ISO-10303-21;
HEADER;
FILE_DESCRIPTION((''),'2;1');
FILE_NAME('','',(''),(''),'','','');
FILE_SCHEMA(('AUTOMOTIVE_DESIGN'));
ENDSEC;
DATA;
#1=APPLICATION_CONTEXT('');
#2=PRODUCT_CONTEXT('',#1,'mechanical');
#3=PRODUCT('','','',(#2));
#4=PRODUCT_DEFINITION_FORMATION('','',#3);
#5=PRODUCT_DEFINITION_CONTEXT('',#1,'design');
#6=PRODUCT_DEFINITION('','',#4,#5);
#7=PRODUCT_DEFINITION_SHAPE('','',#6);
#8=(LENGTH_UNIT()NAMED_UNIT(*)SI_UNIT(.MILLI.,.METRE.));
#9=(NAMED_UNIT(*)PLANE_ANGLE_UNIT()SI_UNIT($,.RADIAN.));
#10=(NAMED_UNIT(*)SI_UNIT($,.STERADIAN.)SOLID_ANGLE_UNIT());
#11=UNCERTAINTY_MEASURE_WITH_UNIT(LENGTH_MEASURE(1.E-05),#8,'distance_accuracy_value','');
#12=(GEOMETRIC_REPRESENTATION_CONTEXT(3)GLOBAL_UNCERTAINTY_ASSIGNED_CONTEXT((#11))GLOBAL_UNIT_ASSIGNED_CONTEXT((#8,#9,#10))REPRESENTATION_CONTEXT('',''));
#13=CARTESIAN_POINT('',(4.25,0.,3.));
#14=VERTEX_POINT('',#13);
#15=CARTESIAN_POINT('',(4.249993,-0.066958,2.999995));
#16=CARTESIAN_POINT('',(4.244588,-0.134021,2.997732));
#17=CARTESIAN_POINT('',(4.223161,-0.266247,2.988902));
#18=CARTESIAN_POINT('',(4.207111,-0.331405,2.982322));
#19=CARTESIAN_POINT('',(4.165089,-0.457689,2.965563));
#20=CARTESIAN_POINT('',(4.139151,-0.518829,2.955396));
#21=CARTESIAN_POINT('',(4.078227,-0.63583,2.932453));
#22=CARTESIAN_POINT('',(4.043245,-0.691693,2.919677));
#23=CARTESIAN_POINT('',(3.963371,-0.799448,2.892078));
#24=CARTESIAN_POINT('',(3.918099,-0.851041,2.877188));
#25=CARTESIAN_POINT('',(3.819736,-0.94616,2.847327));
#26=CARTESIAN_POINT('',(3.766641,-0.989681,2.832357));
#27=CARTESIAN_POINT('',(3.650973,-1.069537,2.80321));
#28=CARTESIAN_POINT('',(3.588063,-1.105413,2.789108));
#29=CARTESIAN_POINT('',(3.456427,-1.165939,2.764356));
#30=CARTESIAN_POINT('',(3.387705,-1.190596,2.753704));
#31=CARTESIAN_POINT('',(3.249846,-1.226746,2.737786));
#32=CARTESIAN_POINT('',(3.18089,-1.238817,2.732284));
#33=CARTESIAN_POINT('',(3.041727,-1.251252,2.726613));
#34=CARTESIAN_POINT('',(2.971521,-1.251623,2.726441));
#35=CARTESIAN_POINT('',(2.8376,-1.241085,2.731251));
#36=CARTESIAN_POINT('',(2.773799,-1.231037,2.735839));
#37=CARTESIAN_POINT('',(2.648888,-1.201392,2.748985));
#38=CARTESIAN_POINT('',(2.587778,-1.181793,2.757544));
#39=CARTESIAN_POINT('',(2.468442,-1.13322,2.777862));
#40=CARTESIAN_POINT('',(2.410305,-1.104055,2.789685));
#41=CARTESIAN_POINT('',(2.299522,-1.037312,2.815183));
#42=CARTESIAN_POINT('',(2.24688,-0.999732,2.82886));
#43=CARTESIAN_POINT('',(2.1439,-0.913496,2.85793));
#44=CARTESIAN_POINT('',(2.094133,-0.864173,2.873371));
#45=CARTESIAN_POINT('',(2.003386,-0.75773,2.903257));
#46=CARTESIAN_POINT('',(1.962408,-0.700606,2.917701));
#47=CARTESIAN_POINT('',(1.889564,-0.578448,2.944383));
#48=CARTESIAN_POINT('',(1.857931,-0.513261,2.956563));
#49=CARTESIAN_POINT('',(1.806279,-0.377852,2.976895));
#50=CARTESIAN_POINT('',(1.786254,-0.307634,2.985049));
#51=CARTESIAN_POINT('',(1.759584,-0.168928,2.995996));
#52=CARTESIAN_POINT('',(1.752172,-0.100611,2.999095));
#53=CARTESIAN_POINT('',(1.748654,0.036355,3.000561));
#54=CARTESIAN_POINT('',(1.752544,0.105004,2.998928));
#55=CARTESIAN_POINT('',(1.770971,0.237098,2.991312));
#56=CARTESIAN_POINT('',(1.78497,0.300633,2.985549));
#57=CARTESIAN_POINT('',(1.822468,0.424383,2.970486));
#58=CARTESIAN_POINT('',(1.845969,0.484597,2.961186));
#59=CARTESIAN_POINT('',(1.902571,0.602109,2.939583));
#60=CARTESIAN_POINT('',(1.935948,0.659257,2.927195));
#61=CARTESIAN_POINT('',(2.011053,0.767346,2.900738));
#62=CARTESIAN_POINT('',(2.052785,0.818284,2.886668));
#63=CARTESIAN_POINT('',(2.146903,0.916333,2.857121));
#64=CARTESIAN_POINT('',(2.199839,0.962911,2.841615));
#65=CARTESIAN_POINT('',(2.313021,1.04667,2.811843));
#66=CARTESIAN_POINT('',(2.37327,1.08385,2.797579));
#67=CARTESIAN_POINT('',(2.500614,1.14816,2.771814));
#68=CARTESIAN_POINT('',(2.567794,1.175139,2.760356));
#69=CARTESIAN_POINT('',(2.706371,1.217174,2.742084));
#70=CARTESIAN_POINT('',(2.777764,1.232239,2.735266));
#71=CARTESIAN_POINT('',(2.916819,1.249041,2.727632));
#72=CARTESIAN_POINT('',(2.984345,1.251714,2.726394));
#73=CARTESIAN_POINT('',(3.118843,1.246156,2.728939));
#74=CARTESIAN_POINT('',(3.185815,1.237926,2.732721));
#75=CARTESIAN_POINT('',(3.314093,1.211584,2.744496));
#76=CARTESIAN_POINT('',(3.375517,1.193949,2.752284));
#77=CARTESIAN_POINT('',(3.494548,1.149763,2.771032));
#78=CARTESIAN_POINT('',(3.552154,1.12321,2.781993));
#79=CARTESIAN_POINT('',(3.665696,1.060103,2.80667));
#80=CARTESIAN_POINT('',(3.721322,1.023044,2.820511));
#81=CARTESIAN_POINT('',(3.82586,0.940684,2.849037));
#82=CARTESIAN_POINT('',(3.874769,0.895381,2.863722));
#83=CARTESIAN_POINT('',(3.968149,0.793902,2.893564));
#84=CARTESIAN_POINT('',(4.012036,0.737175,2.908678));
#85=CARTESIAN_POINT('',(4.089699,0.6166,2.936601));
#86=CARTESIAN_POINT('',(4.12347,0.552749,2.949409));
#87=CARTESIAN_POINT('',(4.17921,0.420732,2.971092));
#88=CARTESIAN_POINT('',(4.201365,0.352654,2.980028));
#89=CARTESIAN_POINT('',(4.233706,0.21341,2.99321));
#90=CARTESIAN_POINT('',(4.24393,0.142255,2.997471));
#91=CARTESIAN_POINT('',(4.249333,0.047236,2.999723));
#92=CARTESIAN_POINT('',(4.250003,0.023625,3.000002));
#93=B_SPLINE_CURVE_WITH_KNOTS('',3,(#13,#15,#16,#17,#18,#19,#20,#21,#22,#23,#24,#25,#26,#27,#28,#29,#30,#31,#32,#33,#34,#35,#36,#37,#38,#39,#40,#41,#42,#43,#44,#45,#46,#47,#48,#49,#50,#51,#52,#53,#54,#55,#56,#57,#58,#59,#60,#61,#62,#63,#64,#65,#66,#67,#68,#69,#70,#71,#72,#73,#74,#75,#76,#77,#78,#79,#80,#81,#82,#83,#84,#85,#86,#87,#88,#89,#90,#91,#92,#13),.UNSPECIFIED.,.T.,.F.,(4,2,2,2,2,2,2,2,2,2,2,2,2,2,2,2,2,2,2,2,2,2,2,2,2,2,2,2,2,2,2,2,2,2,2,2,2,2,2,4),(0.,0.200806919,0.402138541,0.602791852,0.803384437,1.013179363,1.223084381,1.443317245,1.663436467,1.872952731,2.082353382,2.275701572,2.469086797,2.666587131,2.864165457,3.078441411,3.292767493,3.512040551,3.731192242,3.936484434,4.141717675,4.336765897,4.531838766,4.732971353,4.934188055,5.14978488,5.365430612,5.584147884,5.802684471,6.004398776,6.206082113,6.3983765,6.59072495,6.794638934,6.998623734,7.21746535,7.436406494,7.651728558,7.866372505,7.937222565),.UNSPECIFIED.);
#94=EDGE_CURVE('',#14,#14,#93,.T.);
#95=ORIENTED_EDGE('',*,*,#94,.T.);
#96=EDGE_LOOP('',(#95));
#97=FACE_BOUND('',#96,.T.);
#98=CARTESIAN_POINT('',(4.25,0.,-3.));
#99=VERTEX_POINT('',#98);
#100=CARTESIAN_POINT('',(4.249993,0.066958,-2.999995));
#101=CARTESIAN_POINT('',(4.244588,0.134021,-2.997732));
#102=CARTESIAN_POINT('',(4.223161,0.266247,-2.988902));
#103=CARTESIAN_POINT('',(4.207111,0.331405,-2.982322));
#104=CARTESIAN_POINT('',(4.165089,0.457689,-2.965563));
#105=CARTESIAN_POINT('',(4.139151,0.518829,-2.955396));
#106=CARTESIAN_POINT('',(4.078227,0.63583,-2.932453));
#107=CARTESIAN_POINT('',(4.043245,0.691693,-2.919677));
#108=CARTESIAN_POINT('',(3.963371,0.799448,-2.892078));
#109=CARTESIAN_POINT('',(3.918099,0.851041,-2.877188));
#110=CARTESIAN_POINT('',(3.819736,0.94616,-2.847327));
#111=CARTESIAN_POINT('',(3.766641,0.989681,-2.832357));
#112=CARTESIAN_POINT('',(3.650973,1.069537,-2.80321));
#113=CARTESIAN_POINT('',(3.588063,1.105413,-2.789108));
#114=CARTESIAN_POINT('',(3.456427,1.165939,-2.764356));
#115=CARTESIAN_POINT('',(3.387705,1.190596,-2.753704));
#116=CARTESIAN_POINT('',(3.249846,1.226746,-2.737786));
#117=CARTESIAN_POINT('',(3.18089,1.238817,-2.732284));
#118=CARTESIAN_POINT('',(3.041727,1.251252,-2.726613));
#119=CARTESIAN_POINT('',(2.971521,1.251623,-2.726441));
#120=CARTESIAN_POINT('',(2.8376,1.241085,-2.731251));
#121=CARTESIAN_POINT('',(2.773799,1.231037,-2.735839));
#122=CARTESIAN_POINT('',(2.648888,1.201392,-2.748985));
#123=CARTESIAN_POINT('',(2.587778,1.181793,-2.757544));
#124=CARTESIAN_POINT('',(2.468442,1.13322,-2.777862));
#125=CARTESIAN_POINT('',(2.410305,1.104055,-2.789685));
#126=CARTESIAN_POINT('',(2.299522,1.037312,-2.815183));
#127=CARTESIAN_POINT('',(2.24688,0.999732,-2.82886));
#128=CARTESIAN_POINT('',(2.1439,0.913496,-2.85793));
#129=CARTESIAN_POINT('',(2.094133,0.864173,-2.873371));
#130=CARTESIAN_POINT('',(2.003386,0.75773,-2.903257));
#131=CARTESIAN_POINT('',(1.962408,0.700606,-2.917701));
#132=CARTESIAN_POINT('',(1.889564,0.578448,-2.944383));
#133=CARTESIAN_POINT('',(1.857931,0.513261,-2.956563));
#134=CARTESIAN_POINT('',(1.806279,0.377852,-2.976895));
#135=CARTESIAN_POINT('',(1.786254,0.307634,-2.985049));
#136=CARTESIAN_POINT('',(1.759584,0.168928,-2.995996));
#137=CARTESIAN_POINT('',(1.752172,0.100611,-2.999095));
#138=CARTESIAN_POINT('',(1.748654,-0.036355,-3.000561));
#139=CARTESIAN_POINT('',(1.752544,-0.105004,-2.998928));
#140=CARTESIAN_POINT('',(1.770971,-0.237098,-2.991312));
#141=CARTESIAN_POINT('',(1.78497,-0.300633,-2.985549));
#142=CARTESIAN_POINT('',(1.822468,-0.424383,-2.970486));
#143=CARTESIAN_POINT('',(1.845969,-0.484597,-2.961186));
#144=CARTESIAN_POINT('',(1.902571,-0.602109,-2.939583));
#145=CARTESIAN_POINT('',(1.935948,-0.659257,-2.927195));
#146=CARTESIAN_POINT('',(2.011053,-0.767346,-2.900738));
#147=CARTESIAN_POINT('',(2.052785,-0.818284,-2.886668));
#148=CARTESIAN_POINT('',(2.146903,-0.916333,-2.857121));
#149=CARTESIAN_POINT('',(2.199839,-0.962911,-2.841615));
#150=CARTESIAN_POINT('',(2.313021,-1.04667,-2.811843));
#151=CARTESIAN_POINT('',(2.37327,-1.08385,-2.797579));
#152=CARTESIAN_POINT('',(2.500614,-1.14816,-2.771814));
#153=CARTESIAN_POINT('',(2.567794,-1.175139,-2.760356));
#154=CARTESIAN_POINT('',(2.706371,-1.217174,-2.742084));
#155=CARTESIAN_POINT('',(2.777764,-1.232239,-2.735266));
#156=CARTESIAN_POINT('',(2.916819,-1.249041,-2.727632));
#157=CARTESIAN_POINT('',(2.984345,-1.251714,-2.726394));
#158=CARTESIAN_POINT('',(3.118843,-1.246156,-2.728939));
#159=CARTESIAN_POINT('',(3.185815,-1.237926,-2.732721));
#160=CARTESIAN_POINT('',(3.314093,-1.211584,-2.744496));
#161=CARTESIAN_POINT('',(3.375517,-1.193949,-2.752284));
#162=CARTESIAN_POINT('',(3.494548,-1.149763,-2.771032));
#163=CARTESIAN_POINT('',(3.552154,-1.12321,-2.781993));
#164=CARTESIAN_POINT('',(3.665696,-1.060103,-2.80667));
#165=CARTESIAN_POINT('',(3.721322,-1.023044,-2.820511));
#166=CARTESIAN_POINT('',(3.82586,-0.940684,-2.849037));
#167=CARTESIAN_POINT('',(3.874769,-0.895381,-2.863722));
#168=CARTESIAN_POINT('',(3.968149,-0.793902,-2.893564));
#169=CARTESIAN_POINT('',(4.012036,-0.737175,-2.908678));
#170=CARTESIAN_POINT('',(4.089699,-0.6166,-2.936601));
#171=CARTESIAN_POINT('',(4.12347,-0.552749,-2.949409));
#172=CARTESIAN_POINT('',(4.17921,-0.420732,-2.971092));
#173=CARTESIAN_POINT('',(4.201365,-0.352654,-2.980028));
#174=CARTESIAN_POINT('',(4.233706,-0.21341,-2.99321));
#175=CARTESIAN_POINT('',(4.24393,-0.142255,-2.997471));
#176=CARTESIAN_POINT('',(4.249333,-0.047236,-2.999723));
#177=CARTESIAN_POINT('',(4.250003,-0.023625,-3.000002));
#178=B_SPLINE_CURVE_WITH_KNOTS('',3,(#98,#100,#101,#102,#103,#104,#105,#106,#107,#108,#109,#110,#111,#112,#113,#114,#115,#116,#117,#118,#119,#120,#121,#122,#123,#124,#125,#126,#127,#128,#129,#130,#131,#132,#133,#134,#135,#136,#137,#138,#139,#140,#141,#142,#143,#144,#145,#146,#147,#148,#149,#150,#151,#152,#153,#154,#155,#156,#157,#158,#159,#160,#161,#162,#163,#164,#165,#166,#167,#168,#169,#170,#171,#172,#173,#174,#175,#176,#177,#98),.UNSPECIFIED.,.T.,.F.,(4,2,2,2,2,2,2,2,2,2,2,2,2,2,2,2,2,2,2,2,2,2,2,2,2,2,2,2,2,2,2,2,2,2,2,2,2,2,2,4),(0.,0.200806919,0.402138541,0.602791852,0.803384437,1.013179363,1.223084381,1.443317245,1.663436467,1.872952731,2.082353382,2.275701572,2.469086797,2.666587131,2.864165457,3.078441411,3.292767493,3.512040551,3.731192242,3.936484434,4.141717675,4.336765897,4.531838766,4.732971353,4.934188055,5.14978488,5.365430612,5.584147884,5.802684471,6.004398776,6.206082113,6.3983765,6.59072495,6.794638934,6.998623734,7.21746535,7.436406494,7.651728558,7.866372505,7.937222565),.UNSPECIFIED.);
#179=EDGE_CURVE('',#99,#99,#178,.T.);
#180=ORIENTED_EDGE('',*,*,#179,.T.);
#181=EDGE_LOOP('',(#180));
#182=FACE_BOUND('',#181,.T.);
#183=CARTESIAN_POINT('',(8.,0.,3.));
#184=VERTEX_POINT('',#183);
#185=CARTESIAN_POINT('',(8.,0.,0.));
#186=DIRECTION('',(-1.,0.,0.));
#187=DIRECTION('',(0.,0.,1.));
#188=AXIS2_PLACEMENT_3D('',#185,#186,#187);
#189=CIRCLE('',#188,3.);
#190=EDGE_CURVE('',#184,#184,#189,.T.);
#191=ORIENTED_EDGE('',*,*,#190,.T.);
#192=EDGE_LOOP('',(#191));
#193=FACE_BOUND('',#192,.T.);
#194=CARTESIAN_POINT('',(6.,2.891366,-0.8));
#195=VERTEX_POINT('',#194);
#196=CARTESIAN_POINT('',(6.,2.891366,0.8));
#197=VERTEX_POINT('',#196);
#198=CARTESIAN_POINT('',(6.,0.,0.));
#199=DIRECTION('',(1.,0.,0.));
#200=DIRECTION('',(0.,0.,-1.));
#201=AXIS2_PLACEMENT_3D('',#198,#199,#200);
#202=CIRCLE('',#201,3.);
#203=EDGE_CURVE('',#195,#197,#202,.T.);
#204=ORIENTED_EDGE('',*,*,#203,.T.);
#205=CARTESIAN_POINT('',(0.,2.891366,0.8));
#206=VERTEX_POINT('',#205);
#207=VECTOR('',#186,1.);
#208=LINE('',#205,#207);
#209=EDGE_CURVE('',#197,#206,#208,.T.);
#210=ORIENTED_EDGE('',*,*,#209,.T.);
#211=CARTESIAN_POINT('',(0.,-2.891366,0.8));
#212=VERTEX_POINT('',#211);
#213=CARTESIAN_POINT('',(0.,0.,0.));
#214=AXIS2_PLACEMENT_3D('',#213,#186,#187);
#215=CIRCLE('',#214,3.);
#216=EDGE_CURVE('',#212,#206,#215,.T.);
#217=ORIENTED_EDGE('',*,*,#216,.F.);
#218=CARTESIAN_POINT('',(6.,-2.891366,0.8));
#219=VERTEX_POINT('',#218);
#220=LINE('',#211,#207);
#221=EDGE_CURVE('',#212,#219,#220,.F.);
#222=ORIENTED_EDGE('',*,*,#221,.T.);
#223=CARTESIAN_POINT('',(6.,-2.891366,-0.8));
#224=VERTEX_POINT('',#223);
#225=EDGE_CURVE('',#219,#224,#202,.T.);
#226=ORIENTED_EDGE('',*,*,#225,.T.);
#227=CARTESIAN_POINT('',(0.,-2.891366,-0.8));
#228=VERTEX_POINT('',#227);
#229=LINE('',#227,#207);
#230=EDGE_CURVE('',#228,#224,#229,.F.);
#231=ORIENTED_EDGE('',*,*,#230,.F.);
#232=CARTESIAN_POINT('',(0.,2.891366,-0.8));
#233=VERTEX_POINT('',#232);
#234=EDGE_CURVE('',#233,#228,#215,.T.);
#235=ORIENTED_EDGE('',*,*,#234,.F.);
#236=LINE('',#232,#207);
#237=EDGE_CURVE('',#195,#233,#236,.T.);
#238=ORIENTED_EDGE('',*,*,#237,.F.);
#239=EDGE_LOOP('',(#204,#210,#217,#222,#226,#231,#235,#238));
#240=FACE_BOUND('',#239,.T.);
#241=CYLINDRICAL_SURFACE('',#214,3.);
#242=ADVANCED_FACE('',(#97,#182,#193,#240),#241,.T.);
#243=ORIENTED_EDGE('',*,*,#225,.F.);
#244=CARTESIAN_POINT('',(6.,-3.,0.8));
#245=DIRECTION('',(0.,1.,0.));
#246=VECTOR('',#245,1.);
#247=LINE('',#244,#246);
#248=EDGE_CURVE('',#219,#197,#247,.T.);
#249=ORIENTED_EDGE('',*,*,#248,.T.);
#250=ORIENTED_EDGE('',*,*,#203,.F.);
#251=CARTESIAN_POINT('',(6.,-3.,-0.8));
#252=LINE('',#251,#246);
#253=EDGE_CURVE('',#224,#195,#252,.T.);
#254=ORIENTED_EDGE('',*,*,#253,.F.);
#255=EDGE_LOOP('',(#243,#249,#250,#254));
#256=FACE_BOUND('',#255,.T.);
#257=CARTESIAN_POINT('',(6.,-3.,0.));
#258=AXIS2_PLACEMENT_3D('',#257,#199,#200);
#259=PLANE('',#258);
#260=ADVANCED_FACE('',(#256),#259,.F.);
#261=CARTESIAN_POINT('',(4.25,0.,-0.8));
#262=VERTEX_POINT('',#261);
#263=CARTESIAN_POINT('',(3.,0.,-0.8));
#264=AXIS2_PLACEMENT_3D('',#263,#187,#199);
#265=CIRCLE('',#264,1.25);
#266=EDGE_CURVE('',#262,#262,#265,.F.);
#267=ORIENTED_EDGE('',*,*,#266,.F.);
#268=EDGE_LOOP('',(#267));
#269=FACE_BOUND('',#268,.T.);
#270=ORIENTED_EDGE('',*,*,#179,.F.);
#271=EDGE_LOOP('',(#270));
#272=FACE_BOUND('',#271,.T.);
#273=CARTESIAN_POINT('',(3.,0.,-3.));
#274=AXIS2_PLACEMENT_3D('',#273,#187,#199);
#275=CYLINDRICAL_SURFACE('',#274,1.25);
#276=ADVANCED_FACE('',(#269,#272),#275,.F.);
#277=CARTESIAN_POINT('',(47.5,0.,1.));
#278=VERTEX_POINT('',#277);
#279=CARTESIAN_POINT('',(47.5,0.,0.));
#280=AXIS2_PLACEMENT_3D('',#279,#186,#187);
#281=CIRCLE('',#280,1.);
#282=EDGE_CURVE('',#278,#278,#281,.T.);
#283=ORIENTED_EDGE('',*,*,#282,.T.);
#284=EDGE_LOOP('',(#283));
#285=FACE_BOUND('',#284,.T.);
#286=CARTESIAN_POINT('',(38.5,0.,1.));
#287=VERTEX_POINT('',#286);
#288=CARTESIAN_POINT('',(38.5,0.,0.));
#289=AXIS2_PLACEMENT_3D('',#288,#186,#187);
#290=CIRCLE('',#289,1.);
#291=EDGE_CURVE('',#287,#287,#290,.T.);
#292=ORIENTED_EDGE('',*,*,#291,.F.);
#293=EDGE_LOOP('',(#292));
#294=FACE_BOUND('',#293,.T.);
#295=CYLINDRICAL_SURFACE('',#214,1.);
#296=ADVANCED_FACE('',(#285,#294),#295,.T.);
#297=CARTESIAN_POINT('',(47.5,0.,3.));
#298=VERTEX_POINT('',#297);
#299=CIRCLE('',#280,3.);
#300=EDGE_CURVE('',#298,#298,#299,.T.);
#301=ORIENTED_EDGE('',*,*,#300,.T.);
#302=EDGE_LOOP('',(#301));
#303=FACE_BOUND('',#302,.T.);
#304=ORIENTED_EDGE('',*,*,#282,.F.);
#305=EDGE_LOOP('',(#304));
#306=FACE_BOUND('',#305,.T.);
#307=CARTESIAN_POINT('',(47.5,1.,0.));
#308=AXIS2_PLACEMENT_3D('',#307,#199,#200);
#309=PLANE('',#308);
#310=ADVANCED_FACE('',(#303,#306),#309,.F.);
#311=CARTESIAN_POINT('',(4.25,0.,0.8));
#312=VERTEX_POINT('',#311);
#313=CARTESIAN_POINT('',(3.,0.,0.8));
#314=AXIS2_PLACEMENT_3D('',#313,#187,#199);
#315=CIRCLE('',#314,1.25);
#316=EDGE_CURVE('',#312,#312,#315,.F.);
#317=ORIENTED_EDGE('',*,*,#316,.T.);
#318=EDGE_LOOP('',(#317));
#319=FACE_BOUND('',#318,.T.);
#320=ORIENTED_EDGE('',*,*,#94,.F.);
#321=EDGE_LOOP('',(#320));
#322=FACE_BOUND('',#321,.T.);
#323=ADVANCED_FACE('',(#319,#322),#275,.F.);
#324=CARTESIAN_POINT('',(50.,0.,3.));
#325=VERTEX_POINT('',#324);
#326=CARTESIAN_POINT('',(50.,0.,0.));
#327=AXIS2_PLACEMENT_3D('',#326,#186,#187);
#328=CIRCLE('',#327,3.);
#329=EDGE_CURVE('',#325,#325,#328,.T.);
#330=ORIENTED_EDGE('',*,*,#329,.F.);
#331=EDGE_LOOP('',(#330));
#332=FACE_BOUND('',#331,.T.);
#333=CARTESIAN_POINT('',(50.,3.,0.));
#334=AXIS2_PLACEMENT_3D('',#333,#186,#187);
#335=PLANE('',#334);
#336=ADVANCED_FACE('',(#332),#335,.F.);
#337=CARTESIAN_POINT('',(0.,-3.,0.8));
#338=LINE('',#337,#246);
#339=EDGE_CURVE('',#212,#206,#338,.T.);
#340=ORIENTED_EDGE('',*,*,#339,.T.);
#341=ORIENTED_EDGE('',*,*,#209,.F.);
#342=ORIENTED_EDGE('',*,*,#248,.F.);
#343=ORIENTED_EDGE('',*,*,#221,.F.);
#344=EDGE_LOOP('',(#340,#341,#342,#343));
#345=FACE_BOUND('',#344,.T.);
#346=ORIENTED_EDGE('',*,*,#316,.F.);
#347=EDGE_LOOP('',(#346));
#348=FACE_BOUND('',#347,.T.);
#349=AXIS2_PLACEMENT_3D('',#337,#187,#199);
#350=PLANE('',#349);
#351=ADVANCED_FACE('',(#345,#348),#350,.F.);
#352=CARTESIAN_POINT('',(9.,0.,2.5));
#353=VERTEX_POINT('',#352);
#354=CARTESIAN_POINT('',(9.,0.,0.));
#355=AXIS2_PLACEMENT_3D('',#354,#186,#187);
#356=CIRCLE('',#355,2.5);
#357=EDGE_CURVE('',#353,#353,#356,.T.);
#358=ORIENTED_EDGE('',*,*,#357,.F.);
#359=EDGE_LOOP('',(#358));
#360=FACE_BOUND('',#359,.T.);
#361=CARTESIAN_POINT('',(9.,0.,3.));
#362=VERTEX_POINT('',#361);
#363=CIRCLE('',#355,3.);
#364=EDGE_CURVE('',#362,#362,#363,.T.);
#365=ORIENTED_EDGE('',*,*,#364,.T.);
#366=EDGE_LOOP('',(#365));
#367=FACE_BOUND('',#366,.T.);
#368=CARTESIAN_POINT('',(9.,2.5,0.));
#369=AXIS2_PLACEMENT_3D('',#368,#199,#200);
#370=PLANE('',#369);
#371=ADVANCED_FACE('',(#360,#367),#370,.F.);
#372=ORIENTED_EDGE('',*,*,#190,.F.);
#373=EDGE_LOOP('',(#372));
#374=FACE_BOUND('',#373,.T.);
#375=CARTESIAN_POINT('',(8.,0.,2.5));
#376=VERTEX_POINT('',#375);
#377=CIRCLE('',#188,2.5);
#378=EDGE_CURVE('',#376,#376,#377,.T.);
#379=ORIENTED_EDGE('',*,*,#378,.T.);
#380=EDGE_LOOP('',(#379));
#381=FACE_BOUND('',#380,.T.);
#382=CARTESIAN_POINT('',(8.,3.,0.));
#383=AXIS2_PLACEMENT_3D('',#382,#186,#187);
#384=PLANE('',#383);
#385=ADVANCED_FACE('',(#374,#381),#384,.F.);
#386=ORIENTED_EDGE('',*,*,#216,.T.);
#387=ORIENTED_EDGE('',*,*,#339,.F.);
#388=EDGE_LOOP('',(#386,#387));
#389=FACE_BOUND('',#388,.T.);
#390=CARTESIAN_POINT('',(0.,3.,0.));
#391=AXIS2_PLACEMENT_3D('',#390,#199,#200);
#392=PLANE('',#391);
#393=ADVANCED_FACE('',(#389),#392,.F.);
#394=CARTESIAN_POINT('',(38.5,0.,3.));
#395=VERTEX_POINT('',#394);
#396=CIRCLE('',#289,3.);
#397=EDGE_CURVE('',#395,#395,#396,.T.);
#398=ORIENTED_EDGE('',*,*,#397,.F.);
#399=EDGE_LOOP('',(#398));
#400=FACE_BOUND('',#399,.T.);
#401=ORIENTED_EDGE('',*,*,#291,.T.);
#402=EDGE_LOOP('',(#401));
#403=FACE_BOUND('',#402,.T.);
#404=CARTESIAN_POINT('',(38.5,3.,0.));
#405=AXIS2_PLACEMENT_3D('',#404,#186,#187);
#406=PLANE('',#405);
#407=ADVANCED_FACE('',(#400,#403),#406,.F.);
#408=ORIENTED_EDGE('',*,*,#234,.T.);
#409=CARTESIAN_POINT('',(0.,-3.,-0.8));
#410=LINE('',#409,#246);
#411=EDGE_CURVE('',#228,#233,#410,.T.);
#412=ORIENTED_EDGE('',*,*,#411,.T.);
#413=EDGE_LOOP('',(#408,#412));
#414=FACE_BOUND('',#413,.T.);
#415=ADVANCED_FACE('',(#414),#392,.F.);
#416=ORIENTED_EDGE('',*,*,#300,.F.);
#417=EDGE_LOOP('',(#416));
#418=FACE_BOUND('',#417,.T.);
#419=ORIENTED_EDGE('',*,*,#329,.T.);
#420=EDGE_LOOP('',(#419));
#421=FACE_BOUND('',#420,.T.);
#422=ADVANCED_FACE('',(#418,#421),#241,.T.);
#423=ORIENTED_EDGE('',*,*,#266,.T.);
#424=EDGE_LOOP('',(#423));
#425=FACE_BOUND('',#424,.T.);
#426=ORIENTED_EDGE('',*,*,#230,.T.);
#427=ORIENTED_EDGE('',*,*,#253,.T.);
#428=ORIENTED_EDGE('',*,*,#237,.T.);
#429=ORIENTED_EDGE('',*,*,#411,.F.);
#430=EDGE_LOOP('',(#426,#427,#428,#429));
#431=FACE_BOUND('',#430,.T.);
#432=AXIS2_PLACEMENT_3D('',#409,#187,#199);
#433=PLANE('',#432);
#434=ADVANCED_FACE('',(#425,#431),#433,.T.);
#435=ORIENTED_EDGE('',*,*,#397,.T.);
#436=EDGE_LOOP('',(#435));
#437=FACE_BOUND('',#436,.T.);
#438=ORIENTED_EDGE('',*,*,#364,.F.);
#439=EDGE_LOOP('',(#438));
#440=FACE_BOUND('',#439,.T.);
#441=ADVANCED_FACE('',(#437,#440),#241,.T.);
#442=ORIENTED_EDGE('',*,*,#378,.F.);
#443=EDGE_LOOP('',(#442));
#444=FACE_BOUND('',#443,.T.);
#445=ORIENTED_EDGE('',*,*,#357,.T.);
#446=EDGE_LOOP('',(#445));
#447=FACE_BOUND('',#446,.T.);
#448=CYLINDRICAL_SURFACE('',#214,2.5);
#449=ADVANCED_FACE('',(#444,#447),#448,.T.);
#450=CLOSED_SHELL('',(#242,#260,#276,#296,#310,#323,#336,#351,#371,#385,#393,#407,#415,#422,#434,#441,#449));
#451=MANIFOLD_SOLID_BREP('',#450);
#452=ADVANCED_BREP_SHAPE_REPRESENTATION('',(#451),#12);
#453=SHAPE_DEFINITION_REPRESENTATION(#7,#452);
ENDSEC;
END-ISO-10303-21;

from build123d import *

# Parameters (mm, degrees)
ENL_V_MAT_EXTRU_5_DEPTH      = 51.179677161
ENL_V_MAT_EXTRU_5_DEPTH_BACK = 51.179677161
ESQUISSE6_R                  = 1.25
ENL_V_MAT_EXTRU_7_DEPTH      = 51.179677173
ENL_V_MAT_EXTRU_7_DEPTH_BACK = 51.179677173
ESQUISSE8_W                  = 6
ESQUISSE8_H                  = 0.8


with BuildPart() as part:
    # Esquisse1 → Révolution3 (revolve)
    with BuildSketch(Plane.XY, mode=Mode.PRIVATE) as r_volution3_sk:
        Polygon((38.5, 3), (38.5, 1), (47.5, 1), (47.5, 3), (50, 3), (50, 0), (0, 0), (0, 3), (8, 3), (8, 2.5), (9, 2.5), (9, 3), align=None)
    revolve(r_volution3_sk.sketch.rotate(Axis((0, 0, 0), (1, 0, 0)), 90), axis=Axis((0, 0, 0), (1, 0, 0)))

    # Esquisse6 → Enlèv. mat.-Extru.5 (cut, two sides: drawn at the far end of the back side and taken through both)
    with BuildSketch(Plane.XY.offset(-ENL_V_MAT_EXTRU_5_DEPTH_BACK)):
        with Locations((3, 0)):
            Circle(ESQUISSE6_R)
    extrude(amount=ENL_V_MAT_EXTRU_5_DEPTH + ENL_V_MAT_EXTRU_5_DEPTH_BACK, mode=Mode.SUBTRACT)

    # Esquisse8 → Enlèv. mat.-Extru.7 (cut, two sides: drawn at the far end of the back side and taken through both)
    with BuildSketch(Plane(origin=(0, 0, 0), x_dir=(1, 0, 0), z_dir=(0, 1, 0)).offset(-ENL_V_MAT_EXTRU_7_DEPTH_BACK)):
        with Locations((3, 0.4)):
            Rectangle(ESQUISSE8_W, ESQUISSE8_H)
        with Locations((3, -0.4)):
            Rectangle(ESQUISSE8_W, ESQUISSE8_H)
    extrude(amount=ENL_V_MAT_EXTRU_7_DEPTH + ENL_V_MAT_EXTRU_7_DEPTH_BACK, mode=Mode.SUBTRACT)


solid = part.part
